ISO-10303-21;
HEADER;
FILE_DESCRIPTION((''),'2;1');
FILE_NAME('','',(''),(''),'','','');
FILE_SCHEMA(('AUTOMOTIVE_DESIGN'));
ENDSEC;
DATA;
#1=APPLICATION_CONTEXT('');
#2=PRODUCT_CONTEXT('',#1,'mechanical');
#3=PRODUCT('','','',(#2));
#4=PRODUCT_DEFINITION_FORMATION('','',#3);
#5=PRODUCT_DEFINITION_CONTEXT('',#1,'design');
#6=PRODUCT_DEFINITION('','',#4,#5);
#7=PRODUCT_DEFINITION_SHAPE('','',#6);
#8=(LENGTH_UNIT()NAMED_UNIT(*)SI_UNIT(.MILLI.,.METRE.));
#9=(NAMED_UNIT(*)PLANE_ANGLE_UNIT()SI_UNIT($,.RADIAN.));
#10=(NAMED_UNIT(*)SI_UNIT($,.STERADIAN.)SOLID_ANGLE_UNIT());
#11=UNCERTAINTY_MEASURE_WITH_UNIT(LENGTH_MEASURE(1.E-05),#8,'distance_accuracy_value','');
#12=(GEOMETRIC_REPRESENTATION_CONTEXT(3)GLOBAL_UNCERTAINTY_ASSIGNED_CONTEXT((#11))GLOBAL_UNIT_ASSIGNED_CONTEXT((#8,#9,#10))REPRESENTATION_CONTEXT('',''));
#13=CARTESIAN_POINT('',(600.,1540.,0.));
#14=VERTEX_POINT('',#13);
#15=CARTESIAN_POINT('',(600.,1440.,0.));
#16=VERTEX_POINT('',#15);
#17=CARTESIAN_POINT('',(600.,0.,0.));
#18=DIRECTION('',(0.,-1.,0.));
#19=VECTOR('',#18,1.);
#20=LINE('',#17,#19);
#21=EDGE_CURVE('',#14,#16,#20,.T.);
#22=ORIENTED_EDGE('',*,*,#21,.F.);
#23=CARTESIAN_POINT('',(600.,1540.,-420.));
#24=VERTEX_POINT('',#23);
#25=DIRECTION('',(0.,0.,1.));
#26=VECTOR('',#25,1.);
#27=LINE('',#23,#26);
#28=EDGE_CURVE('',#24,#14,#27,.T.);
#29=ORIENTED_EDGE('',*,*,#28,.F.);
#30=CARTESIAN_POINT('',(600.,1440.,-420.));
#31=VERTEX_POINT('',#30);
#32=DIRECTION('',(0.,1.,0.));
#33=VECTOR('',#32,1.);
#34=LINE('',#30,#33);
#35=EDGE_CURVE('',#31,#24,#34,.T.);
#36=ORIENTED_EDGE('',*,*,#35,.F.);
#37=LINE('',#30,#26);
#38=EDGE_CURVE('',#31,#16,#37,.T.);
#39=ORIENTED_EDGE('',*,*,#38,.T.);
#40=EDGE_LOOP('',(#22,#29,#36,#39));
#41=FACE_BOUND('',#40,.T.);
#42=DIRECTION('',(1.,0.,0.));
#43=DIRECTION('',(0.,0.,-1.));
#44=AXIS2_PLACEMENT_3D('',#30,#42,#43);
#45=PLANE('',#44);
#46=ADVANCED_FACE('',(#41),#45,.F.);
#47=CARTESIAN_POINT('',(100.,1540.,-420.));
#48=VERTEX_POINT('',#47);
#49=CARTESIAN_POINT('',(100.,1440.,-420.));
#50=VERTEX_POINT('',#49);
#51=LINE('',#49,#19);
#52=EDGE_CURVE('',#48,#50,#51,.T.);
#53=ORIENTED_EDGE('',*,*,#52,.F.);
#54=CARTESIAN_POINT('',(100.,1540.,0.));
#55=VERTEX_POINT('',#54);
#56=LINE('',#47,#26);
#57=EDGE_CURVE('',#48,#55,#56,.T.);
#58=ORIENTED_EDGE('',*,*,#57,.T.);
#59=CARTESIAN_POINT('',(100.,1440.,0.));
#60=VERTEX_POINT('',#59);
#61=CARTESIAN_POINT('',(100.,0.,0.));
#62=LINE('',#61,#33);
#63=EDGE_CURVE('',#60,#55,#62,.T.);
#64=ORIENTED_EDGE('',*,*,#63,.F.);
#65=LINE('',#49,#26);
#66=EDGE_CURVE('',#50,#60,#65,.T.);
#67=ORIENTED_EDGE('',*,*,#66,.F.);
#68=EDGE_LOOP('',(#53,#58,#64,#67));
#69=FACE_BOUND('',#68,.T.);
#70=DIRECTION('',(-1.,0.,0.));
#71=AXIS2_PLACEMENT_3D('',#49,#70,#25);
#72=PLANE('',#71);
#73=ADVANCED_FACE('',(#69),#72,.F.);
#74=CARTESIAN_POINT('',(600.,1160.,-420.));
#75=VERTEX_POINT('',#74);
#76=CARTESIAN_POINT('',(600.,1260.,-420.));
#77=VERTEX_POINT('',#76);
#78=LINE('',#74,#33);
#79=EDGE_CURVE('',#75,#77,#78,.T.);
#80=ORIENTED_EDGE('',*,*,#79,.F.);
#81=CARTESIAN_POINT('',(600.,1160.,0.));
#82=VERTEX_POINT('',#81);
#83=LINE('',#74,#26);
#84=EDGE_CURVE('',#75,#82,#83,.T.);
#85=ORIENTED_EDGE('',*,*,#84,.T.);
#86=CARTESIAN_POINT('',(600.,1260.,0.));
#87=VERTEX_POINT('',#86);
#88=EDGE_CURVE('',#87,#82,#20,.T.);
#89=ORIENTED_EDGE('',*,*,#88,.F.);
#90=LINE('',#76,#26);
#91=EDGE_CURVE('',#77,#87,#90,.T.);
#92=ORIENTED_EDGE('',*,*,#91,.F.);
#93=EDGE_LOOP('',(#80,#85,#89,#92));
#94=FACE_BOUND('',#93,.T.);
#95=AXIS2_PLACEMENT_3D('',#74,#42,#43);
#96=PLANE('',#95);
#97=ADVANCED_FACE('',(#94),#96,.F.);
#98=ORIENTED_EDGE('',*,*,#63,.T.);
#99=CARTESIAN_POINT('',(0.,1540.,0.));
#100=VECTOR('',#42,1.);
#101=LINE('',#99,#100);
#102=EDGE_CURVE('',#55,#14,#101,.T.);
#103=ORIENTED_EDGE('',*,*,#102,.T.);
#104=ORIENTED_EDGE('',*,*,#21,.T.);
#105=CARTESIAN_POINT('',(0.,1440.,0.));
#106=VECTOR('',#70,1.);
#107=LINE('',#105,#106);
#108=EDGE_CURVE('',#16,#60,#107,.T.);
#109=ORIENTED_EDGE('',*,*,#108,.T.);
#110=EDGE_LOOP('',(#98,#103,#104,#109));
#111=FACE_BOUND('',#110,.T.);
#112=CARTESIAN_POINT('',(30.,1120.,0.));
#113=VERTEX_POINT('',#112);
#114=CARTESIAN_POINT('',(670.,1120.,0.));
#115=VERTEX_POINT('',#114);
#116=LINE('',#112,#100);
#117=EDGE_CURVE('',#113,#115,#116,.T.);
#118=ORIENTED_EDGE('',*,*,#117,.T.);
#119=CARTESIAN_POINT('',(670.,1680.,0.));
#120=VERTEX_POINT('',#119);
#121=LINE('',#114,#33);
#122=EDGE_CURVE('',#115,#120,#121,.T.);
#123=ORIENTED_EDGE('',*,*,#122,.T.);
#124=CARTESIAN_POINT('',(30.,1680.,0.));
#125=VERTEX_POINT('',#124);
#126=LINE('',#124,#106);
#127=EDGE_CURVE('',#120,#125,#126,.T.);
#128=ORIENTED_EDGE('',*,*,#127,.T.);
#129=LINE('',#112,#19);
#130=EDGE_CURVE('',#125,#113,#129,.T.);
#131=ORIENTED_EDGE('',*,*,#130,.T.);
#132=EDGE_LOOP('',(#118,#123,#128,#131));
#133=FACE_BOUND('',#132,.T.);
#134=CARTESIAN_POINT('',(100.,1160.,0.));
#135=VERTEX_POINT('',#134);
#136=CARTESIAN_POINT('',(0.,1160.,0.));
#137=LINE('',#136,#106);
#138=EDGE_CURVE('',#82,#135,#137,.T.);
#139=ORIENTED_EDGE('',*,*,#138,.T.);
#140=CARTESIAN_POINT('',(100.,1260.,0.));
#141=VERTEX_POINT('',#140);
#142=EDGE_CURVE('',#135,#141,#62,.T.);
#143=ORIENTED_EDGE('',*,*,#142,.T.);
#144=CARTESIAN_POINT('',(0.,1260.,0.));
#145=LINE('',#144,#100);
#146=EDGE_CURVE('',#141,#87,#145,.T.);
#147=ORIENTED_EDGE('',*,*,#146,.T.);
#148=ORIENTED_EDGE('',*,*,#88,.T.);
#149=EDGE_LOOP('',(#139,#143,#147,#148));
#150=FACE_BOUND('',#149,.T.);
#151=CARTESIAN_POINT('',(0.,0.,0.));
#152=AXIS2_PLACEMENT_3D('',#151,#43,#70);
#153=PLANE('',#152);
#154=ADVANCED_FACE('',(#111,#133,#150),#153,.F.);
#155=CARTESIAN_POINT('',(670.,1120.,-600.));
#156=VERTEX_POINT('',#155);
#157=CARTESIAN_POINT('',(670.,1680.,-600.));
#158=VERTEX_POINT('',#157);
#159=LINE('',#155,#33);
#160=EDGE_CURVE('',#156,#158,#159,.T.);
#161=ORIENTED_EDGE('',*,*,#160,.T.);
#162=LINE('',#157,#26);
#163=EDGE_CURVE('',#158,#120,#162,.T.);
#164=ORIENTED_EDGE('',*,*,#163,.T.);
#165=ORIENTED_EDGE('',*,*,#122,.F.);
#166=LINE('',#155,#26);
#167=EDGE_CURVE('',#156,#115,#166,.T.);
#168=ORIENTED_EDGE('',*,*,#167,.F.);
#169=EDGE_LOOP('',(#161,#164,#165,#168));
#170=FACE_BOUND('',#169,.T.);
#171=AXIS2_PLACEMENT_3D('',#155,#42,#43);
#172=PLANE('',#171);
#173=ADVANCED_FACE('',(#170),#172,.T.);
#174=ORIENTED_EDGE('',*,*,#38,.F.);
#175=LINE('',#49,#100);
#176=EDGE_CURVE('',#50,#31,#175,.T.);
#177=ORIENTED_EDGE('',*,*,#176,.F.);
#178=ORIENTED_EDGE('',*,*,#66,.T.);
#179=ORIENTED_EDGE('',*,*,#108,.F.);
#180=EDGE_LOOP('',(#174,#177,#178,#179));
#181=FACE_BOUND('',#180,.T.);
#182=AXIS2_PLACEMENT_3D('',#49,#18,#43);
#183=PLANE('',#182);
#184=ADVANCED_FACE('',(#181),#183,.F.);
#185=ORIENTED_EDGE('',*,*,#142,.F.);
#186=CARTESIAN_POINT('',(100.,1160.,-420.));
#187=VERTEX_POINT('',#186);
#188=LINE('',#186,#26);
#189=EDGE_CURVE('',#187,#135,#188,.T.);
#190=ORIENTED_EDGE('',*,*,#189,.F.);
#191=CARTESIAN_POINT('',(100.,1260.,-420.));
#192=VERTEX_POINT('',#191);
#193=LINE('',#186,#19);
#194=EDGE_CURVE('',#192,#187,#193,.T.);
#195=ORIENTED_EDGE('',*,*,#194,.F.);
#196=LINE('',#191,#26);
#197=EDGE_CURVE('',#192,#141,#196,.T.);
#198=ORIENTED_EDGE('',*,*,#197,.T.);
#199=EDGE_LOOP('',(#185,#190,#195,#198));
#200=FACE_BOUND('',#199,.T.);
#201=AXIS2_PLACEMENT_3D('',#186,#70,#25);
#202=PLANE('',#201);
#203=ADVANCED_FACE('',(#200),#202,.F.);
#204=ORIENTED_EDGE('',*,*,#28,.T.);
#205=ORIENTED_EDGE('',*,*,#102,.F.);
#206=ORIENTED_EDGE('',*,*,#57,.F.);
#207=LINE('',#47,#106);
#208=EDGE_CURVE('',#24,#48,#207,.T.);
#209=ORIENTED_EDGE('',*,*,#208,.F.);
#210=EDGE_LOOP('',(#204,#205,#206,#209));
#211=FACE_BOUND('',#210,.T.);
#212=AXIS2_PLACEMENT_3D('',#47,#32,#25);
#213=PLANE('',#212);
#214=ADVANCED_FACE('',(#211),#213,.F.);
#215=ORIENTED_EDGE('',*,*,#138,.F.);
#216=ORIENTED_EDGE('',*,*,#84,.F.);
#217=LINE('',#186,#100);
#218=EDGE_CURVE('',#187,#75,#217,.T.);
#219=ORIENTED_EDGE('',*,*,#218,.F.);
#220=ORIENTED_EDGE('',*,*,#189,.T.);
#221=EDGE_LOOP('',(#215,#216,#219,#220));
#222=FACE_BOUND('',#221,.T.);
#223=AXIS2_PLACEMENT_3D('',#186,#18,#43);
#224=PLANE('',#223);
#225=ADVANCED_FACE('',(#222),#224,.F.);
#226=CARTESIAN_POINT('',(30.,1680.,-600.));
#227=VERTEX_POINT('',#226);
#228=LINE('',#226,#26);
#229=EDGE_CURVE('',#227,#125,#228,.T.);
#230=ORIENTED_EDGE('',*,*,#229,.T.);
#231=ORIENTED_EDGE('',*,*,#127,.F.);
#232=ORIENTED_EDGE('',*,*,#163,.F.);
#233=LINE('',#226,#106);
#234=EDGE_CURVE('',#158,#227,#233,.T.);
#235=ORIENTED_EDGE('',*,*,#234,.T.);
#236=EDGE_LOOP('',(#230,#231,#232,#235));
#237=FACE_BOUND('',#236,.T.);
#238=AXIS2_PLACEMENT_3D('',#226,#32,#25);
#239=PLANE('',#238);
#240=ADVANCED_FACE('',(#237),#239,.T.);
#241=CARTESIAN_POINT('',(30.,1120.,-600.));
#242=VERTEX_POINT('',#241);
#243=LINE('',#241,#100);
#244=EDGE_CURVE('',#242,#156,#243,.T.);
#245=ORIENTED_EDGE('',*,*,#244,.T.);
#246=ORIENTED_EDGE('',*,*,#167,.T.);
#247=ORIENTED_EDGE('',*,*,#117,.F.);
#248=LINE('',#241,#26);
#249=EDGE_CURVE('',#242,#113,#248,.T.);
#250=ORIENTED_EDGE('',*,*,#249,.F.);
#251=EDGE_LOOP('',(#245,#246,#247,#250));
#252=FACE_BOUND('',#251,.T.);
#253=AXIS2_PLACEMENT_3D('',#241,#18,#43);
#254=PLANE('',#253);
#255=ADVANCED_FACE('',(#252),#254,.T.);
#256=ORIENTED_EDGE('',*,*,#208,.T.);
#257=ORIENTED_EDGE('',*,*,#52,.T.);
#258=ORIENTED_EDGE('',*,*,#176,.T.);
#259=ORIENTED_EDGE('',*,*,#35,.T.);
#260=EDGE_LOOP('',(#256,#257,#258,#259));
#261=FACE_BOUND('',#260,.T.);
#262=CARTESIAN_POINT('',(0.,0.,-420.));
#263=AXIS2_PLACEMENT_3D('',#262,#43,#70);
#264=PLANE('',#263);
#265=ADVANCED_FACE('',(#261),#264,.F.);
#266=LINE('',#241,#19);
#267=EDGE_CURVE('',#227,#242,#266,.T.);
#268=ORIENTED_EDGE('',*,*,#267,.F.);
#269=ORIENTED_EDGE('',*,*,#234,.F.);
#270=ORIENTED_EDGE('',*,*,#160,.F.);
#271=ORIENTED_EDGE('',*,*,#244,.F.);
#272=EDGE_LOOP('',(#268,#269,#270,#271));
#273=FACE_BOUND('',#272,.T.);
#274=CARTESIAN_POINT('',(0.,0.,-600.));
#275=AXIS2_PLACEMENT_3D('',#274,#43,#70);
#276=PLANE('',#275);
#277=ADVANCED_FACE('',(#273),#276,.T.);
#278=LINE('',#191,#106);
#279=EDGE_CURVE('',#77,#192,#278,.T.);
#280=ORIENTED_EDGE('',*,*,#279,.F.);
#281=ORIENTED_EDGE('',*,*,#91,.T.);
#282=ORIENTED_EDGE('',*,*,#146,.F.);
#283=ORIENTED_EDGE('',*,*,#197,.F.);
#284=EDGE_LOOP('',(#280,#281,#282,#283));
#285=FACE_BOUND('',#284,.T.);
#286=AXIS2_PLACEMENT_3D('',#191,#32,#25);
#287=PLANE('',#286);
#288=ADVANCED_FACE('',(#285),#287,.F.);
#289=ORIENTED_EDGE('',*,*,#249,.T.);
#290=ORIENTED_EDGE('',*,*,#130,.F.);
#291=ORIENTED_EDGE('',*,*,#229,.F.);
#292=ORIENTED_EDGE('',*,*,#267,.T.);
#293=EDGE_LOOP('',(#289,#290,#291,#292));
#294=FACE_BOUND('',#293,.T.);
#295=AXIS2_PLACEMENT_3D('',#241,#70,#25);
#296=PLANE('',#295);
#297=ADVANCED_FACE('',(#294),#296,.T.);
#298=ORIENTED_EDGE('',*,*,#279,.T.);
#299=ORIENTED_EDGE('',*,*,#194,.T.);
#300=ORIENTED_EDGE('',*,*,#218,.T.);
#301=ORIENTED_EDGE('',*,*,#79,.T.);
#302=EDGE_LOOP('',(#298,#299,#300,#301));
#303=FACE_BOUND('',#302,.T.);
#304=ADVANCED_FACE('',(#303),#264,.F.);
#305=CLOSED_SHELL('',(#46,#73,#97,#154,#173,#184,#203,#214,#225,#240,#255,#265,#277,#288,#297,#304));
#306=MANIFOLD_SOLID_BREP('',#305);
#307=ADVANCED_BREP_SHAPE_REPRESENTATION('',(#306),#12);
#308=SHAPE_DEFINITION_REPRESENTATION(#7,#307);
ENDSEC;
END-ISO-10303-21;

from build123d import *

# Parameters (mm, degrees)
SKETCH1_W                                      = 640
SKETCH1_H                                      = 560
OVEN_OMAKE_FIRIN_SATIN_ALINAN_64X60X56_1_DEPTH = 600
OVEN_OMAKE_FIRIN_SATIN_ALINAN_64X60X56_2_START = 1
SKETCH2_W                                      = 500
SKETCH2_H                                      = 100
OVEN_OMAKE_FIRIN_SATIN_ALINAN_64X60X56_2_DEPTH = 421
OVEN_OMAKE_FIRIN_SATIN_ALINAN_64X60X56_3_START = 1
SKETCH3_W                                      = 500
SKETCH3_H                                      = 100
OVEN_OMAKE_FIRIN_SATIN_ALINAN_64X60X56_3_DEPTH = 421


with BuildPart() as part:
    # Sketch1 → OVEN_OMAKE_firin_SATIN_ALINAN_64x60x56_1 (new body)
    with BuildSketch(Plane.XY):
        with Locations((350, 1400)):
            Rectangle(SKETCH1_W, SKETCH1_H)
    extrude(amount=-OVEN_OMAKE_FIRIN_SATIN_ALINAN_64X60X56_1_DEPTH)

    # Sketch2 → OVEN_OMAKE_firin_SATIN_ALINAN_64x60x56_2 (cut)
    with BuildSketch(Plane.XY.offset(OVEN_OMAKE_FIRIN_SATIN_ALINAN_64X60X56_2_START)):
        with Locations((350, 1210)):
            Rectangle(SKETCH2_W, SKETCH2_H)
    extrude(amount=-OVEN_OMAKE_FIRIN_SATIN_ALINAN_64X60X56_2_DEPTH, mode=Mode.SUBTRACT)

    # Sketch3 → OVEN_OMAKE_firin_SATIN_ALINAN_64x60x56_3 (cut)
    with BuildSketch(Plane.XY.offset(OVEN_OMAKE_FIRIN_SATIN_ALINAN_64X60X56_3_START)):
        with Locations((350, 1490)):
            Rectangle(SKETCH3_W, SKETCH3_H)
    extrude(amount=-OVEN_OMAKE_FIRIN_SATIN_ALINAN_64X60X56_3_DEPTH, mode=Mode.SUBTRACT)


solid = part.part
